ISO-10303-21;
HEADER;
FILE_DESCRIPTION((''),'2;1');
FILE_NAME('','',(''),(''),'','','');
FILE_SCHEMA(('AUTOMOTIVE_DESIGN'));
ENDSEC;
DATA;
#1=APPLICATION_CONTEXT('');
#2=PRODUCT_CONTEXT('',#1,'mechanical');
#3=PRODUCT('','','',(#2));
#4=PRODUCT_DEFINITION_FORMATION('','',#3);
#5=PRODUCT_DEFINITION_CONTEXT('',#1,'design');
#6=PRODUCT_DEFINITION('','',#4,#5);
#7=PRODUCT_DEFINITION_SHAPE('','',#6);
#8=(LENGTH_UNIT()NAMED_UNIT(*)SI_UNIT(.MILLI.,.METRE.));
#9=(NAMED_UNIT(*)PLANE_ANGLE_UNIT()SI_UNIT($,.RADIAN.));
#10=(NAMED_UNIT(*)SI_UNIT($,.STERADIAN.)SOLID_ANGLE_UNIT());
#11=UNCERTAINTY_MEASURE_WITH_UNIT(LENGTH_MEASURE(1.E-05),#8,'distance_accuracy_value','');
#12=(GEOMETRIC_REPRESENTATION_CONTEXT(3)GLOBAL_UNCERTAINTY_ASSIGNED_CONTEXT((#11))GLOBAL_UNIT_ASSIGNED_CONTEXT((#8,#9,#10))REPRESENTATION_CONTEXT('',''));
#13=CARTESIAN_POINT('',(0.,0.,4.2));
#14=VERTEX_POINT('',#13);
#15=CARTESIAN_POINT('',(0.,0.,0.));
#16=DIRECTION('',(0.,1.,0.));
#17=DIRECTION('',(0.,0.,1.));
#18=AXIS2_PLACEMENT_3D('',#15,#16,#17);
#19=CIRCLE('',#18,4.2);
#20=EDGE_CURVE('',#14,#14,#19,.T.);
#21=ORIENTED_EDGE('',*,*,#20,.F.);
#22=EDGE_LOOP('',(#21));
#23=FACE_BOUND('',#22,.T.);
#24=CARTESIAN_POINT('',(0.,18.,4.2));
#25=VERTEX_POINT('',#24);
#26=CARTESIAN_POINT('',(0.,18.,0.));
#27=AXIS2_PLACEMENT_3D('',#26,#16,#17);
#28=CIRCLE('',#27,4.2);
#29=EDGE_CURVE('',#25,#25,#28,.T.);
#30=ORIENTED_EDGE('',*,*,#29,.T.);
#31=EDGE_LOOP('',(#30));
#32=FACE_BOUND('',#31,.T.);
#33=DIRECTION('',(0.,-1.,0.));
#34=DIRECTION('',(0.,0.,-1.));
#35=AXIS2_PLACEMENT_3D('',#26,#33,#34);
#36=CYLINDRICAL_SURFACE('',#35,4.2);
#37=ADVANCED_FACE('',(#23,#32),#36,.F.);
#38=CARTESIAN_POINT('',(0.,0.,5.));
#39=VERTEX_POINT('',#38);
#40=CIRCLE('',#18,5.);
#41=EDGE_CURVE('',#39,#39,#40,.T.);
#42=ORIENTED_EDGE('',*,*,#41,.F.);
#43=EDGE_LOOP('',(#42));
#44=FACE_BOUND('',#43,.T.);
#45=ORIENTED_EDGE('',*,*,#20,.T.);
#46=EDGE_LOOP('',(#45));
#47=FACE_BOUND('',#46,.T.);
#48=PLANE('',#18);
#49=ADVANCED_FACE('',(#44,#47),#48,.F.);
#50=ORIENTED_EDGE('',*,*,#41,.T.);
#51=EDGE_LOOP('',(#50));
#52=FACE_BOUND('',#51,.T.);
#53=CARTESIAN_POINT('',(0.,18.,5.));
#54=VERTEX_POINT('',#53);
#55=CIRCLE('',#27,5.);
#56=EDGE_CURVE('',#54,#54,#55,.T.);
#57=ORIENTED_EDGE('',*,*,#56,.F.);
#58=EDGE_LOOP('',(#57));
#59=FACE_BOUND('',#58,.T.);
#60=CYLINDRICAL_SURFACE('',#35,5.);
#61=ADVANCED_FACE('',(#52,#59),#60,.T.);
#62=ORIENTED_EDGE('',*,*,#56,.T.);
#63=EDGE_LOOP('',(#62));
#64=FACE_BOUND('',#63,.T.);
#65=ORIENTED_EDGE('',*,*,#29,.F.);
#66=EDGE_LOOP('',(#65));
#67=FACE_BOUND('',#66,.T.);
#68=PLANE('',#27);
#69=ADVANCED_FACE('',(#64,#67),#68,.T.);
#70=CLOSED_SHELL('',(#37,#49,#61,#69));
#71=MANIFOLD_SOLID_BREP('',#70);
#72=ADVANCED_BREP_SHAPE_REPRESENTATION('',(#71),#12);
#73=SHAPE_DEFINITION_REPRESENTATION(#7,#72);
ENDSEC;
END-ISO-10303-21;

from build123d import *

# Parameters (mm, degrees)
SKETCH_1_R      = 5
SKETCH_1_R_2    = 4.2
EXTRUDE_1_DEPTH = 18


with BuildPart() as part:
    # 草图1 → 凸台-拉伸1 (new body)
    with BuildSketch(Plane(origin=(0, 0, 0), x_dir=(1, 0, 0), z_dir=(0, 1, 0))):
        Circle(SKETCH_1_R)
        Circle(SKETCH_1_R_2, mode=Mode.SUBTRACT)
    extrude(amount=EXTRUDE_1_DEPTH)


solid = part.part
